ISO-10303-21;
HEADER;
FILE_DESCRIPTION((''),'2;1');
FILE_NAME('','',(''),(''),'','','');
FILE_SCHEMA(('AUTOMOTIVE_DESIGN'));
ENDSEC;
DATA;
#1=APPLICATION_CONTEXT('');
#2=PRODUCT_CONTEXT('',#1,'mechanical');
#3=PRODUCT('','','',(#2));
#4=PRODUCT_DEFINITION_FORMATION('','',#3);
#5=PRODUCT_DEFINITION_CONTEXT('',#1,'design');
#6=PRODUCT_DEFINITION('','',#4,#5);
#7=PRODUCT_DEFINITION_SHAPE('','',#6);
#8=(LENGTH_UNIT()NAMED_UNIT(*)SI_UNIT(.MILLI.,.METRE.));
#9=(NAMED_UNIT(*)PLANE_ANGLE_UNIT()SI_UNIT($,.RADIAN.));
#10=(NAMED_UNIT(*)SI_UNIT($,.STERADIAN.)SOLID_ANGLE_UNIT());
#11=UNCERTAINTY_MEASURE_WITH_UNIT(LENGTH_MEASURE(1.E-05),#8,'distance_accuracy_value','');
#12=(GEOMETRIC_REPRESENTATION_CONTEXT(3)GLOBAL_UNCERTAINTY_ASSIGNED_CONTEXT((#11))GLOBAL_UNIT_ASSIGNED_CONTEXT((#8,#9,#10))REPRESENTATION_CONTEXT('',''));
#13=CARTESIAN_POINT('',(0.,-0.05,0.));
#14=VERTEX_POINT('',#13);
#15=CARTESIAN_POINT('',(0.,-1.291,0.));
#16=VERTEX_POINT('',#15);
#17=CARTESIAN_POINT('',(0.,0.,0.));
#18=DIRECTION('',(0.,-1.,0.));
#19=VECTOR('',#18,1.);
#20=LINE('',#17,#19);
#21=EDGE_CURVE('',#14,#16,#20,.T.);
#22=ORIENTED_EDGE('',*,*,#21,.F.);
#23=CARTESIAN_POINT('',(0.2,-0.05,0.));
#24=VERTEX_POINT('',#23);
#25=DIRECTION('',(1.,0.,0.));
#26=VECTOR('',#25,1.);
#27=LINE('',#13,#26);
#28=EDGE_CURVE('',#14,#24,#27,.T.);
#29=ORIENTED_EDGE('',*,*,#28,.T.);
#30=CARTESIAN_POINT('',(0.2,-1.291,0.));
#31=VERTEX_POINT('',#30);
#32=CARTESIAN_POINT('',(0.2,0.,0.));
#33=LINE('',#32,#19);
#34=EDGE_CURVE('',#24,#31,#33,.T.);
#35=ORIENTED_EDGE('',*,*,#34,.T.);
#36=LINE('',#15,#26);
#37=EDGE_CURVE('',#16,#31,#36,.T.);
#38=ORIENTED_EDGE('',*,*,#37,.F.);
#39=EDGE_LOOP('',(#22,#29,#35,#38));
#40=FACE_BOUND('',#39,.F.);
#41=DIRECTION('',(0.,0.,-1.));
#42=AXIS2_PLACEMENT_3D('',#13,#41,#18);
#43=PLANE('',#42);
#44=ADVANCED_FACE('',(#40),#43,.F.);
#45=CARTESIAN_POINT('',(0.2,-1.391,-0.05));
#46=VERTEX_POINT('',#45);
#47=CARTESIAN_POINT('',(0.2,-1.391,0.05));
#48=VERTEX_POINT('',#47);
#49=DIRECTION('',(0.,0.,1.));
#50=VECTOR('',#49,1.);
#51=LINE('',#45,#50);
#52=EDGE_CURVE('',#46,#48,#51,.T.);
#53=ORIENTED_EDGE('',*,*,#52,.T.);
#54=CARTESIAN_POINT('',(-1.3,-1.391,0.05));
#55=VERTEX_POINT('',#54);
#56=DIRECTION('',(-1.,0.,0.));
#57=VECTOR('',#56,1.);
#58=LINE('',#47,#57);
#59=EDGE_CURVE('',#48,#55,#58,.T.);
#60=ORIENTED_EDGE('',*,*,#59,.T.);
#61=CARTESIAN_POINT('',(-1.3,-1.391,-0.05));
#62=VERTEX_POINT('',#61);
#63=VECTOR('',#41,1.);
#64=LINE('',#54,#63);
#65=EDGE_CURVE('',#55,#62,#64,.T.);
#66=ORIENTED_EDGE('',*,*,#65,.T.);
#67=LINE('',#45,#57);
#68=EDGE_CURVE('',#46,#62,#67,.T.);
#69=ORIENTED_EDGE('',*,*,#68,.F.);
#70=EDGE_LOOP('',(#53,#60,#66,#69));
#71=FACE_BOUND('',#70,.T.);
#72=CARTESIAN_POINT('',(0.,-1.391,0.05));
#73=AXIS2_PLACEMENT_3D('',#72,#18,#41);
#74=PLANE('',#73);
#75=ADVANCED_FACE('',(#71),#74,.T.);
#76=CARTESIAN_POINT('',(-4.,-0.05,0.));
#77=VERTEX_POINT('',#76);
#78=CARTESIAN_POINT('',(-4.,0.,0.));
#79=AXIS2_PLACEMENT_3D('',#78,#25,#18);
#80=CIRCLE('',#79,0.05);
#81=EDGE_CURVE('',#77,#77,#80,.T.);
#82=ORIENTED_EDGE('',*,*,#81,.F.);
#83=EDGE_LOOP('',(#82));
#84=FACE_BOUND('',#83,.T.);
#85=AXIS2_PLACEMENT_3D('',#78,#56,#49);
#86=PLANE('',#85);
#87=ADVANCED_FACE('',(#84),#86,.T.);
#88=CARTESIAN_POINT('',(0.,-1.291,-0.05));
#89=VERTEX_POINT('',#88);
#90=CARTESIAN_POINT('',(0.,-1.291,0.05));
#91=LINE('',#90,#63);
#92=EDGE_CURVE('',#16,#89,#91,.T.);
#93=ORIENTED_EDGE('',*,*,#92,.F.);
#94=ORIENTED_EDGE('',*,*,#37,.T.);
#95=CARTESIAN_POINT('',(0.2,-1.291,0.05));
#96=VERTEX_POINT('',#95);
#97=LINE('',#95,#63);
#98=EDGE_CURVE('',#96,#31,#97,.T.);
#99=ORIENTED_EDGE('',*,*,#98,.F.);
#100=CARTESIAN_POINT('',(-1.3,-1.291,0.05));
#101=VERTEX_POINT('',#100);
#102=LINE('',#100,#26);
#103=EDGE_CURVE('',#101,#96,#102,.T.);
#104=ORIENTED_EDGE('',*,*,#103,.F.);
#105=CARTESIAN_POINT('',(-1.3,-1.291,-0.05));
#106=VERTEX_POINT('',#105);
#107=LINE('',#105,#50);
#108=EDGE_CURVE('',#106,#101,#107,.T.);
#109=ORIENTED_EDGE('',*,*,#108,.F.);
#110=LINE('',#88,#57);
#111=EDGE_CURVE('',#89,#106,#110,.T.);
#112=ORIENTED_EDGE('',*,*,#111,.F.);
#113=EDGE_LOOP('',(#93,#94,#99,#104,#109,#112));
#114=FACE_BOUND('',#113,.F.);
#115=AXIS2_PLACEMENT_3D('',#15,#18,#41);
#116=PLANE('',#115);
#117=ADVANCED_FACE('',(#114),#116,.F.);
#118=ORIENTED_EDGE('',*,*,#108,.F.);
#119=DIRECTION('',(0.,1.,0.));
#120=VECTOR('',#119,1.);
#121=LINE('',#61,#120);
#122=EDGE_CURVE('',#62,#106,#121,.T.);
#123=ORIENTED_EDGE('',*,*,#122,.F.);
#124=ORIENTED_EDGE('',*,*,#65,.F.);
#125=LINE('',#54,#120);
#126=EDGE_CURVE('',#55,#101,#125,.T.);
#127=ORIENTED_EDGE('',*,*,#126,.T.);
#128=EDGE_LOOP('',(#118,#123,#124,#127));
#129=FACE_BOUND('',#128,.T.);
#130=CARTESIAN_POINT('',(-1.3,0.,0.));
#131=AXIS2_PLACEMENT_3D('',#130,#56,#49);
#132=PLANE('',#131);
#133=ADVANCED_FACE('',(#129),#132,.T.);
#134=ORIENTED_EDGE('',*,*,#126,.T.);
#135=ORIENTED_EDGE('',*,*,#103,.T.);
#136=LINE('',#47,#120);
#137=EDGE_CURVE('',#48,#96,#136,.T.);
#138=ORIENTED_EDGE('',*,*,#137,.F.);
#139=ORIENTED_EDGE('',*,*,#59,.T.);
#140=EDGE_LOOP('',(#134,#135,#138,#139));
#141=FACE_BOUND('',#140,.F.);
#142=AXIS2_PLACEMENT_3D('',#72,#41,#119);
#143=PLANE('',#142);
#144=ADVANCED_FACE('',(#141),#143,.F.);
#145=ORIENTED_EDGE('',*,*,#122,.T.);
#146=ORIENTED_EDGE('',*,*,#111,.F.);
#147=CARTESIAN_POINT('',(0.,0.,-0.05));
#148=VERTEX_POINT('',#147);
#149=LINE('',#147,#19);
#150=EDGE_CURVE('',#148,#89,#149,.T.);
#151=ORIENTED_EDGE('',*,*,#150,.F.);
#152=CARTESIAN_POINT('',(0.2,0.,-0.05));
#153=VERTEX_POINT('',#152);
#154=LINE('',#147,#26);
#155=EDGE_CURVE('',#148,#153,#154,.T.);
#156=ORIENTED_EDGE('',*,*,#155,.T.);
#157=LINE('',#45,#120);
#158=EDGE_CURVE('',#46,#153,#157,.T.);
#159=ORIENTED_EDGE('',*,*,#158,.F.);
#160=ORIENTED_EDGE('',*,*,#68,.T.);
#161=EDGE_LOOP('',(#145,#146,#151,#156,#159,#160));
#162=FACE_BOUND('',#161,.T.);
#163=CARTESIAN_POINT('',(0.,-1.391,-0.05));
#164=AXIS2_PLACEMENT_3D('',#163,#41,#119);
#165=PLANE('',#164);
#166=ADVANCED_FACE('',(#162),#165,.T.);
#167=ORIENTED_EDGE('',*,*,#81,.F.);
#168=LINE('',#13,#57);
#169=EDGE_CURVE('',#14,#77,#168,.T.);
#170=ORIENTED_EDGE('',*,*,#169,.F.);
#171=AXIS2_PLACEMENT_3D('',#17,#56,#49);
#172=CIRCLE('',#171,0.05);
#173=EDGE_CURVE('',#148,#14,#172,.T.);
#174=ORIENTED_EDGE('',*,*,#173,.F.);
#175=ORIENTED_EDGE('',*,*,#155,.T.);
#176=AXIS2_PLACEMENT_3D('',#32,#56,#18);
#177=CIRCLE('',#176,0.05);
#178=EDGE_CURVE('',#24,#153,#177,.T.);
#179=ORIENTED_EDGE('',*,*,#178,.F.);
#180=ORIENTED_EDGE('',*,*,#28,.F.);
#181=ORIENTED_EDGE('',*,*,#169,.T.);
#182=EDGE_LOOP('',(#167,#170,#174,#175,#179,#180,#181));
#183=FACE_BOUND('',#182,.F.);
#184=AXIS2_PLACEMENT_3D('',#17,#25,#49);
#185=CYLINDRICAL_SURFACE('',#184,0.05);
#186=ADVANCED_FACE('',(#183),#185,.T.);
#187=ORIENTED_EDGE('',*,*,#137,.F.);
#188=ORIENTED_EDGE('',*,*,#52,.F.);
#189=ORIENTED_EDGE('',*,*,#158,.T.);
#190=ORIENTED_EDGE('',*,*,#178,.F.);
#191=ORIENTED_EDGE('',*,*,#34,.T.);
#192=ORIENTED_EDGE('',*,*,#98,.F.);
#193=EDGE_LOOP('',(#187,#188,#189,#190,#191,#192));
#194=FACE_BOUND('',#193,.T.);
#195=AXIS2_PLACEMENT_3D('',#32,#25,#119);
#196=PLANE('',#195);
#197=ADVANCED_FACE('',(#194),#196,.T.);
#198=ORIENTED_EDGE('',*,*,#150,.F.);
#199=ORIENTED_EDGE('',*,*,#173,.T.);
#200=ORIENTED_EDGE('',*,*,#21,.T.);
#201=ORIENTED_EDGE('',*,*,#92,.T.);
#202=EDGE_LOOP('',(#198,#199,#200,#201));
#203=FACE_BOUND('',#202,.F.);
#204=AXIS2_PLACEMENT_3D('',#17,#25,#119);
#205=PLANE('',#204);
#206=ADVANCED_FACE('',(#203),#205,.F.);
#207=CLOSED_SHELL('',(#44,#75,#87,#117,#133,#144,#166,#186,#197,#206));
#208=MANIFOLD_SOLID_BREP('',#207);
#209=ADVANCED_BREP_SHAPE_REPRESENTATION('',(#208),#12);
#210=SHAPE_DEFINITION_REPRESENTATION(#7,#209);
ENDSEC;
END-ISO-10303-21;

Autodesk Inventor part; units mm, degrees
ref_plane "YZ Plane" through (0, 0, 0) normal (1, 0, 0) x (0, 1, 0)
ref_plane "XZ Plane" through (0, 0, 0) normal (0, 1, 0) x (-1, 0, 0)
ref_plane "XY Plane" through (0, 0, 0) normal (0, 0, 1) x (1, 0, 0)
sketch "Sketch1" plane through (0, 0, 0) normal (1, 0, 0) x (0, 1, 0)
  circle A0 centre (0, 0) radius 0.05
  line L0 (0, 0) -> (-1.341, 0)
  line L1 (-1.391, 0.05) -> (-1.291, 0.05)
  line L2 (-1.291, 0.05) -> (-1.291, -0.05)
  line L3 (-1.291, -0.05) -> (-1.391, -0.05)
  line L4 (-1.391, -0.05) -> (-1.391, 0.05)
  line L5 (-1.391, 0.05) -> (-1.291, -0.05) construction
  line L6 (-1.291, 0.05) -> (-1.391, -0.05) construction
  line L7 (-1.291, -0.05) -> (0, -0.05)
  point P0 (-0.05, 0)
  point P1 (-1.291, 0)
  dimension "d0" = 0.1
  dimension "d1" = 1.341
  dimension "d2" = 0.1
  dimension "d3" = 0.1
extrude "Extrusion1" add sketch "Sketch1" along normal blind 0.2
sketch "Sketch2" plane through (0, 0, 0) normal (-1, 0, 0) x (0, 0, 1)
  arc A0 (0, -0.05) -> (-0.05, 0) centre (0, 0) ccw projected
  circle A1 centre (0, 0) radius 0.05
  point P0 (-0.05, 0)
  point P1 (0, -0.05)
  dimension "d6" = 0.1
extrude "Extrusion2" add sketch "Sketch2" along normal blind 4
sketch "Sketch3" plane through (0, 0, 0) normal (-1, 0, 0) x (0, 0, 1)
  line L0 (-0.05, -1.391) -> (-0.05, 0) projected
  line L1 (0.05, -1.391) -> (-0.05, -1.391) projected
  line L2 (-0.05, -1.391) -> (0.05, -1.391)
  line L3 (0, -1.291) -> (0.05, -1.291) projected
  line L4 (0.05, -1.391) -> (0.05, -1.291)
  line L5 (0.05, -1.291) -> (-0.05, -1.291)
  line L6 (-0.05, -1.291) -> (-0.05, -1.391)
  point P0 (0, 0)
extrude "Extrusion3" add sketch "Sketch3" along normal blind 1.3
properties part number "Bone18_17_Fix"
